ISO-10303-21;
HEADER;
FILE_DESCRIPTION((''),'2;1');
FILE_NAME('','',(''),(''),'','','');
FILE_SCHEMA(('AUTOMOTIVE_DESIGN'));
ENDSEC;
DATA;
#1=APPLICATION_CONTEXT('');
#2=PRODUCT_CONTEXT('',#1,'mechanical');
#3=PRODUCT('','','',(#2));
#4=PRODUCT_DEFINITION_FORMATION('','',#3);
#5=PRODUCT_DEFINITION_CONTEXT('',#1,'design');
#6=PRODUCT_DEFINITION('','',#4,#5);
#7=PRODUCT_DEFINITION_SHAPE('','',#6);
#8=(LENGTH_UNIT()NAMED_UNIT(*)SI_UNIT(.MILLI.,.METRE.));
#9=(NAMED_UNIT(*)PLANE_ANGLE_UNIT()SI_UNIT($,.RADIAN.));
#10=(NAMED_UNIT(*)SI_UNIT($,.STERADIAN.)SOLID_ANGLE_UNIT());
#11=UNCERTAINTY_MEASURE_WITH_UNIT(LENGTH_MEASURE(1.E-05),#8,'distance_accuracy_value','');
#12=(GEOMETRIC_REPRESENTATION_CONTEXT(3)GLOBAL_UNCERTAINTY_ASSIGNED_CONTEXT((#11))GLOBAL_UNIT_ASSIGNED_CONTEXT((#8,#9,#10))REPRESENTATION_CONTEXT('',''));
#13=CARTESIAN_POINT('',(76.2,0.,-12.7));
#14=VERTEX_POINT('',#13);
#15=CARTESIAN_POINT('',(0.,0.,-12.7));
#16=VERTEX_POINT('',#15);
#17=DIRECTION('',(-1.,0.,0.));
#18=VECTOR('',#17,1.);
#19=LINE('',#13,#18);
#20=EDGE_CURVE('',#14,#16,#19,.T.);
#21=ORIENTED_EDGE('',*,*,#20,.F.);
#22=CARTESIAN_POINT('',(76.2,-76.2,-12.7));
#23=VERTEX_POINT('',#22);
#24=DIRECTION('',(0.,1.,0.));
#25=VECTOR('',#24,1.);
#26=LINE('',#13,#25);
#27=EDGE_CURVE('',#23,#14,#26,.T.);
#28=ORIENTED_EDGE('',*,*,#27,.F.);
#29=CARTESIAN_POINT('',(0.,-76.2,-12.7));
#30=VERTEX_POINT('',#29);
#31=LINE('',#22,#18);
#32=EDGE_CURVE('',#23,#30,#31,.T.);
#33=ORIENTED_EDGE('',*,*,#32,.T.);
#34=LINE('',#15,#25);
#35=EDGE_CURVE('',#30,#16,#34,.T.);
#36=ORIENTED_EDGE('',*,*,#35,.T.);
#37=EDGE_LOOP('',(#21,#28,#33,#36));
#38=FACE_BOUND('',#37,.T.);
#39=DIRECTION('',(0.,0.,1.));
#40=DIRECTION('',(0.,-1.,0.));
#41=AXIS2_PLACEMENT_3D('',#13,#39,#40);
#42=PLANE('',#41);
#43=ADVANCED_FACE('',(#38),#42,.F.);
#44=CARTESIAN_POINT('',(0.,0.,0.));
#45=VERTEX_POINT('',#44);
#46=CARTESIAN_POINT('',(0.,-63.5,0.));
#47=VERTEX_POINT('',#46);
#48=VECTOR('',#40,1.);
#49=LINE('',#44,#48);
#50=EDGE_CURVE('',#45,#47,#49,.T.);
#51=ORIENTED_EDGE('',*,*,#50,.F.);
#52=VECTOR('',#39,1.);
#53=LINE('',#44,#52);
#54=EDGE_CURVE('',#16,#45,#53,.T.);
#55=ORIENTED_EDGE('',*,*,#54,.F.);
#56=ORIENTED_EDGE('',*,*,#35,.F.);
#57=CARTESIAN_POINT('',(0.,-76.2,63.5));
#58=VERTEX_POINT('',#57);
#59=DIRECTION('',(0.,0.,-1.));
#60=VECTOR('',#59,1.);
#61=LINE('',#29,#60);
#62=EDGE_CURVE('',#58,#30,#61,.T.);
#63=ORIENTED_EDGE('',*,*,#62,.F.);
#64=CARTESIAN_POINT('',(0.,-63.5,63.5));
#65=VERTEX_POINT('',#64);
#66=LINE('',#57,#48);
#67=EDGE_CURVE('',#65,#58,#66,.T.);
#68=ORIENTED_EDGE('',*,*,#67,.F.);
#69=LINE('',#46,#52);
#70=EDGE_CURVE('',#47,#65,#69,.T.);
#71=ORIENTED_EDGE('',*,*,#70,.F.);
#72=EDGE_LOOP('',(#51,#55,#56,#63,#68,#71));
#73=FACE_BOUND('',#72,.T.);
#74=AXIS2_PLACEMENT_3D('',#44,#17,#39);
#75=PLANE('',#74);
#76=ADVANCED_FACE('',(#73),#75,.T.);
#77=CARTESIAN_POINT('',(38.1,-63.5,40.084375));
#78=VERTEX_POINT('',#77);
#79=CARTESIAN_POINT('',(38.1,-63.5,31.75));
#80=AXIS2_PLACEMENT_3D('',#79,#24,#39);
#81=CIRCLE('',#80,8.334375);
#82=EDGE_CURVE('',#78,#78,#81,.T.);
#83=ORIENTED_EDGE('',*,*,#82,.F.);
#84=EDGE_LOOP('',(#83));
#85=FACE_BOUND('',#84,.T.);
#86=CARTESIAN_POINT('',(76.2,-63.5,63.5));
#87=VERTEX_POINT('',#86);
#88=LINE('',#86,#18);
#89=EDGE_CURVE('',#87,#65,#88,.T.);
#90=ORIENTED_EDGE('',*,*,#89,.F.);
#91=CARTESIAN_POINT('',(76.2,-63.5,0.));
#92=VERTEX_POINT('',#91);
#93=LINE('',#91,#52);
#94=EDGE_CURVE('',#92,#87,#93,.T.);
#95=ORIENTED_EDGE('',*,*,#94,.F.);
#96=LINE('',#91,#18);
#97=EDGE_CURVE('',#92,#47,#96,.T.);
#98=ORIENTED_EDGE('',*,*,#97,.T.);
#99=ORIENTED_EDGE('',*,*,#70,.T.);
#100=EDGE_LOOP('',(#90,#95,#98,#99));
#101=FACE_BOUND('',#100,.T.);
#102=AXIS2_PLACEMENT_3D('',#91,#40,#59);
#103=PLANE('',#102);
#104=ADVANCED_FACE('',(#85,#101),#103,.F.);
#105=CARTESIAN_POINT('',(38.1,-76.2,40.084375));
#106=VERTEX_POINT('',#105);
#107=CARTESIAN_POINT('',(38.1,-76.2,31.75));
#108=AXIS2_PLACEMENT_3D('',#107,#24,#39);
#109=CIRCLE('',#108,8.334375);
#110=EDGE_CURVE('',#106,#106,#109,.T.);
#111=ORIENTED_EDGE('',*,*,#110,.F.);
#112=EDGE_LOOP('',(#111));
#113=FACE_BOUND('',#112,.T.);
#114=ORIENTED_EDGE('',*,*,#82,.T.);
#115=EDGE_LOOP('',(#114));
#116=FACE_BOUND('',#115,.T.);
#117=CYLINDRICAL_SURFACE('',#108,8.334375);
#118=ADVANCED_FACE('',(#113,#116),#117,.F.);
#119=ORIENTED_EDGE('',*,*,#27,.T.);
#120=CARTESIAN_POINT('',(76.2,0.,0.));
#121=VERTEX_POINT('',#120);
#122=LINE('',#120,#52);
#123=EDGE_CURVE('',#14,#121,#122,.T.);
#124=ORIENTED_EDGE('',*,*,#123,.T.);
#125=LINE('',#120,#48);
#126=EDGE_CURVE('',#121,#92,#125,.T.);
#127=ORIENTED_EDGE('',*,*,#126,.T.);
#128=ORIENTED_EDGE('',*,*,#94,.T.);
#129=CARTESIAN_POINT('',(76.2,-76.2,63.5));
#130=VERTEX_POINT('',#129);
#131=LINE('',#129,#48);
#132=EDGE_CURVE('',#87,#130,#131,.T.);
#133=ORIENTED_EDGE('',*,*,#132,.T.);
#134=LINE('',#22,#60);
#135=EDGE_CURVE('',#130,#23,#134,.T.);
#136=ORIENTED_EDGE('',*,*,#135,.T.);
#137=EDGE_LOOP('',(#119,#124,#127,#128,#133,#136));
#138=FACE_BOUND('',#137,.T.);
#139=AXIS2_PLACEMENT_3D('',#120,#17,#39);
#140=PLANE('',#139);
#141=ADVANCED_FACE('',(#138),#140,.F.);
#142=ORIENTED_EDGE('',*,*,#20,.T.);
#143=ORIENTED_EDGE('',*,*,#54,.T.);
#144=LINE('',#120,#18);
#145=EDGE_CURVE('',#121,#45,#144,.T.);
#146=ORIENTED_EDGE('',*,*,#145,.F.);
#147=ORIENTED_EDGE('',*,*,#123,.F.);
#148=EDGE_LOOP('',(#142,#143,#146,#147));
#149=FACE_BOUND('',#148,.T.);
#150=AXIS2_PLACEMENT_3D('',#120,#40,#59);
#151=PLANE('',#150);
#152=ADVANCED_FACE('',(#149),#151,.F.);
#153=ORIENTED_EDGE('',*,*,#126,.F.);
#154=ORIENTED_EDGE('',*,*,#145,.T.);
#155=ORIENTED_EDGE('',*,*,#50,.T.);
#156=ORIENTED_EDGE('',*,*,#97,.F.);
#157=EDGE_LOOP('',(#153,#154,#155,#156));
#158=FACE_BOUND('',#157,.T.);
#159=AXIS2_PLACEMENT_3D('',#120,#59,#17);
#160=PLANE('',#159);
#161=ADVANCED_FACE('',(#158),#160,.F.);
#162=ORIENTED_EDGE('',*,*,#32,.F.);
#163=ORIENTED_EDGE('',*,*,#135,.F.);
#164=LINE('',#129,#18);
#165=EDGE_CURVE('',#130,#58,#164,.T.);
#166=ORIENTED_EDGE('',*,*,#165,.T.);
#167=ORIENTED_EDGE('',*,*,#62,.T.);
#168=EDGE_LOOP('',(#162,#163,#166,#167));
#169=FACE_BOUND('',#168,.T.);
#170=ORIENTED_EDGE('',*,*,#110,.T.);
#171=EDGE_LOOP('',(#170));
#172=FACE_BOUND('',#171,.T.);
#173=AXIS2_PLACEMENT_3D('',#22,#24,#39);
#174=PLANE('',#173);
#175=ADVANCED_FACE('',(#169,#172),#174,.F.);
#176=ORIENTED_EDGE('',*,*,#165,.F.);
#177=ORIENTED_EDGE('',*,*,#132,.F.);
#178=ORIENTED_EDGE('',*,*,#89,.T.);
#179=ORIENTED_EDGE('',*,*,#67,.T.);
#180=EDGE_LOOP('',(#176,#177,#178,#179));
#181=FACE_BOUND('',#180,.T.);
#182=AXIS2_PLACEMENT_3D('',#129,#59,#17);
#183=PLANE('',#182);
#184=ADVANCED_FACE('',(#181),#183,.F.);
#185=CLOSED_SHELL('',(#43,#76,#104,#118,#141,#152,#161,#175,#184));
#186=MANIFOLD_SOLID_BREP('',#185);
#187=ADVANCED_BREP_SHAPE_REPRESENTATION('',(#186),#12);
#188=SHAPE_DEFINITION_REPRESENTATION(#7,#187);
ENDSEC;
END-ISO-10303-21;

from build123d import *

# Parameters (mm, degrees)
BOSS_EXTRUDE1_DEPTH = 76.2
SKETCH6_R           = 8.334375
CUT_EXTRUDE1_DEPTH  = 12.7


with BuildPart() as part:
    # Sketch2 → Boss-Extrude1 (new body)
    with BuildSketch(Plane(origin=(0, 0, 0), x_dir=(0, 0, -1), z_dir=(1, 0, 0))):
        Polygon((0, 0), (12.7, 0), (12.7, -76.2), (-63.5, -76.2), (-63.5, -63.5), (0, -63.5), align=None)
    extrude(amount=BOSS_EXTRUDE1_DEPTH)

    # Sketch6 → Cut-Extrude1 (cut)
    with BuildSketch(Plane(origin=(0, -63.5, 0), x_dir=(1, 0, 0), z_dir=(0, 1, 0))):
        with Locations(Location((38.1, -31.75, 0), (0, 0, 270))):
            Circle(SKETCH6_R)
    extrude(amount=-CUT_EXTRUDE1_DEPTH, mode=Mode.SUBTRACT)


solid = part.part
